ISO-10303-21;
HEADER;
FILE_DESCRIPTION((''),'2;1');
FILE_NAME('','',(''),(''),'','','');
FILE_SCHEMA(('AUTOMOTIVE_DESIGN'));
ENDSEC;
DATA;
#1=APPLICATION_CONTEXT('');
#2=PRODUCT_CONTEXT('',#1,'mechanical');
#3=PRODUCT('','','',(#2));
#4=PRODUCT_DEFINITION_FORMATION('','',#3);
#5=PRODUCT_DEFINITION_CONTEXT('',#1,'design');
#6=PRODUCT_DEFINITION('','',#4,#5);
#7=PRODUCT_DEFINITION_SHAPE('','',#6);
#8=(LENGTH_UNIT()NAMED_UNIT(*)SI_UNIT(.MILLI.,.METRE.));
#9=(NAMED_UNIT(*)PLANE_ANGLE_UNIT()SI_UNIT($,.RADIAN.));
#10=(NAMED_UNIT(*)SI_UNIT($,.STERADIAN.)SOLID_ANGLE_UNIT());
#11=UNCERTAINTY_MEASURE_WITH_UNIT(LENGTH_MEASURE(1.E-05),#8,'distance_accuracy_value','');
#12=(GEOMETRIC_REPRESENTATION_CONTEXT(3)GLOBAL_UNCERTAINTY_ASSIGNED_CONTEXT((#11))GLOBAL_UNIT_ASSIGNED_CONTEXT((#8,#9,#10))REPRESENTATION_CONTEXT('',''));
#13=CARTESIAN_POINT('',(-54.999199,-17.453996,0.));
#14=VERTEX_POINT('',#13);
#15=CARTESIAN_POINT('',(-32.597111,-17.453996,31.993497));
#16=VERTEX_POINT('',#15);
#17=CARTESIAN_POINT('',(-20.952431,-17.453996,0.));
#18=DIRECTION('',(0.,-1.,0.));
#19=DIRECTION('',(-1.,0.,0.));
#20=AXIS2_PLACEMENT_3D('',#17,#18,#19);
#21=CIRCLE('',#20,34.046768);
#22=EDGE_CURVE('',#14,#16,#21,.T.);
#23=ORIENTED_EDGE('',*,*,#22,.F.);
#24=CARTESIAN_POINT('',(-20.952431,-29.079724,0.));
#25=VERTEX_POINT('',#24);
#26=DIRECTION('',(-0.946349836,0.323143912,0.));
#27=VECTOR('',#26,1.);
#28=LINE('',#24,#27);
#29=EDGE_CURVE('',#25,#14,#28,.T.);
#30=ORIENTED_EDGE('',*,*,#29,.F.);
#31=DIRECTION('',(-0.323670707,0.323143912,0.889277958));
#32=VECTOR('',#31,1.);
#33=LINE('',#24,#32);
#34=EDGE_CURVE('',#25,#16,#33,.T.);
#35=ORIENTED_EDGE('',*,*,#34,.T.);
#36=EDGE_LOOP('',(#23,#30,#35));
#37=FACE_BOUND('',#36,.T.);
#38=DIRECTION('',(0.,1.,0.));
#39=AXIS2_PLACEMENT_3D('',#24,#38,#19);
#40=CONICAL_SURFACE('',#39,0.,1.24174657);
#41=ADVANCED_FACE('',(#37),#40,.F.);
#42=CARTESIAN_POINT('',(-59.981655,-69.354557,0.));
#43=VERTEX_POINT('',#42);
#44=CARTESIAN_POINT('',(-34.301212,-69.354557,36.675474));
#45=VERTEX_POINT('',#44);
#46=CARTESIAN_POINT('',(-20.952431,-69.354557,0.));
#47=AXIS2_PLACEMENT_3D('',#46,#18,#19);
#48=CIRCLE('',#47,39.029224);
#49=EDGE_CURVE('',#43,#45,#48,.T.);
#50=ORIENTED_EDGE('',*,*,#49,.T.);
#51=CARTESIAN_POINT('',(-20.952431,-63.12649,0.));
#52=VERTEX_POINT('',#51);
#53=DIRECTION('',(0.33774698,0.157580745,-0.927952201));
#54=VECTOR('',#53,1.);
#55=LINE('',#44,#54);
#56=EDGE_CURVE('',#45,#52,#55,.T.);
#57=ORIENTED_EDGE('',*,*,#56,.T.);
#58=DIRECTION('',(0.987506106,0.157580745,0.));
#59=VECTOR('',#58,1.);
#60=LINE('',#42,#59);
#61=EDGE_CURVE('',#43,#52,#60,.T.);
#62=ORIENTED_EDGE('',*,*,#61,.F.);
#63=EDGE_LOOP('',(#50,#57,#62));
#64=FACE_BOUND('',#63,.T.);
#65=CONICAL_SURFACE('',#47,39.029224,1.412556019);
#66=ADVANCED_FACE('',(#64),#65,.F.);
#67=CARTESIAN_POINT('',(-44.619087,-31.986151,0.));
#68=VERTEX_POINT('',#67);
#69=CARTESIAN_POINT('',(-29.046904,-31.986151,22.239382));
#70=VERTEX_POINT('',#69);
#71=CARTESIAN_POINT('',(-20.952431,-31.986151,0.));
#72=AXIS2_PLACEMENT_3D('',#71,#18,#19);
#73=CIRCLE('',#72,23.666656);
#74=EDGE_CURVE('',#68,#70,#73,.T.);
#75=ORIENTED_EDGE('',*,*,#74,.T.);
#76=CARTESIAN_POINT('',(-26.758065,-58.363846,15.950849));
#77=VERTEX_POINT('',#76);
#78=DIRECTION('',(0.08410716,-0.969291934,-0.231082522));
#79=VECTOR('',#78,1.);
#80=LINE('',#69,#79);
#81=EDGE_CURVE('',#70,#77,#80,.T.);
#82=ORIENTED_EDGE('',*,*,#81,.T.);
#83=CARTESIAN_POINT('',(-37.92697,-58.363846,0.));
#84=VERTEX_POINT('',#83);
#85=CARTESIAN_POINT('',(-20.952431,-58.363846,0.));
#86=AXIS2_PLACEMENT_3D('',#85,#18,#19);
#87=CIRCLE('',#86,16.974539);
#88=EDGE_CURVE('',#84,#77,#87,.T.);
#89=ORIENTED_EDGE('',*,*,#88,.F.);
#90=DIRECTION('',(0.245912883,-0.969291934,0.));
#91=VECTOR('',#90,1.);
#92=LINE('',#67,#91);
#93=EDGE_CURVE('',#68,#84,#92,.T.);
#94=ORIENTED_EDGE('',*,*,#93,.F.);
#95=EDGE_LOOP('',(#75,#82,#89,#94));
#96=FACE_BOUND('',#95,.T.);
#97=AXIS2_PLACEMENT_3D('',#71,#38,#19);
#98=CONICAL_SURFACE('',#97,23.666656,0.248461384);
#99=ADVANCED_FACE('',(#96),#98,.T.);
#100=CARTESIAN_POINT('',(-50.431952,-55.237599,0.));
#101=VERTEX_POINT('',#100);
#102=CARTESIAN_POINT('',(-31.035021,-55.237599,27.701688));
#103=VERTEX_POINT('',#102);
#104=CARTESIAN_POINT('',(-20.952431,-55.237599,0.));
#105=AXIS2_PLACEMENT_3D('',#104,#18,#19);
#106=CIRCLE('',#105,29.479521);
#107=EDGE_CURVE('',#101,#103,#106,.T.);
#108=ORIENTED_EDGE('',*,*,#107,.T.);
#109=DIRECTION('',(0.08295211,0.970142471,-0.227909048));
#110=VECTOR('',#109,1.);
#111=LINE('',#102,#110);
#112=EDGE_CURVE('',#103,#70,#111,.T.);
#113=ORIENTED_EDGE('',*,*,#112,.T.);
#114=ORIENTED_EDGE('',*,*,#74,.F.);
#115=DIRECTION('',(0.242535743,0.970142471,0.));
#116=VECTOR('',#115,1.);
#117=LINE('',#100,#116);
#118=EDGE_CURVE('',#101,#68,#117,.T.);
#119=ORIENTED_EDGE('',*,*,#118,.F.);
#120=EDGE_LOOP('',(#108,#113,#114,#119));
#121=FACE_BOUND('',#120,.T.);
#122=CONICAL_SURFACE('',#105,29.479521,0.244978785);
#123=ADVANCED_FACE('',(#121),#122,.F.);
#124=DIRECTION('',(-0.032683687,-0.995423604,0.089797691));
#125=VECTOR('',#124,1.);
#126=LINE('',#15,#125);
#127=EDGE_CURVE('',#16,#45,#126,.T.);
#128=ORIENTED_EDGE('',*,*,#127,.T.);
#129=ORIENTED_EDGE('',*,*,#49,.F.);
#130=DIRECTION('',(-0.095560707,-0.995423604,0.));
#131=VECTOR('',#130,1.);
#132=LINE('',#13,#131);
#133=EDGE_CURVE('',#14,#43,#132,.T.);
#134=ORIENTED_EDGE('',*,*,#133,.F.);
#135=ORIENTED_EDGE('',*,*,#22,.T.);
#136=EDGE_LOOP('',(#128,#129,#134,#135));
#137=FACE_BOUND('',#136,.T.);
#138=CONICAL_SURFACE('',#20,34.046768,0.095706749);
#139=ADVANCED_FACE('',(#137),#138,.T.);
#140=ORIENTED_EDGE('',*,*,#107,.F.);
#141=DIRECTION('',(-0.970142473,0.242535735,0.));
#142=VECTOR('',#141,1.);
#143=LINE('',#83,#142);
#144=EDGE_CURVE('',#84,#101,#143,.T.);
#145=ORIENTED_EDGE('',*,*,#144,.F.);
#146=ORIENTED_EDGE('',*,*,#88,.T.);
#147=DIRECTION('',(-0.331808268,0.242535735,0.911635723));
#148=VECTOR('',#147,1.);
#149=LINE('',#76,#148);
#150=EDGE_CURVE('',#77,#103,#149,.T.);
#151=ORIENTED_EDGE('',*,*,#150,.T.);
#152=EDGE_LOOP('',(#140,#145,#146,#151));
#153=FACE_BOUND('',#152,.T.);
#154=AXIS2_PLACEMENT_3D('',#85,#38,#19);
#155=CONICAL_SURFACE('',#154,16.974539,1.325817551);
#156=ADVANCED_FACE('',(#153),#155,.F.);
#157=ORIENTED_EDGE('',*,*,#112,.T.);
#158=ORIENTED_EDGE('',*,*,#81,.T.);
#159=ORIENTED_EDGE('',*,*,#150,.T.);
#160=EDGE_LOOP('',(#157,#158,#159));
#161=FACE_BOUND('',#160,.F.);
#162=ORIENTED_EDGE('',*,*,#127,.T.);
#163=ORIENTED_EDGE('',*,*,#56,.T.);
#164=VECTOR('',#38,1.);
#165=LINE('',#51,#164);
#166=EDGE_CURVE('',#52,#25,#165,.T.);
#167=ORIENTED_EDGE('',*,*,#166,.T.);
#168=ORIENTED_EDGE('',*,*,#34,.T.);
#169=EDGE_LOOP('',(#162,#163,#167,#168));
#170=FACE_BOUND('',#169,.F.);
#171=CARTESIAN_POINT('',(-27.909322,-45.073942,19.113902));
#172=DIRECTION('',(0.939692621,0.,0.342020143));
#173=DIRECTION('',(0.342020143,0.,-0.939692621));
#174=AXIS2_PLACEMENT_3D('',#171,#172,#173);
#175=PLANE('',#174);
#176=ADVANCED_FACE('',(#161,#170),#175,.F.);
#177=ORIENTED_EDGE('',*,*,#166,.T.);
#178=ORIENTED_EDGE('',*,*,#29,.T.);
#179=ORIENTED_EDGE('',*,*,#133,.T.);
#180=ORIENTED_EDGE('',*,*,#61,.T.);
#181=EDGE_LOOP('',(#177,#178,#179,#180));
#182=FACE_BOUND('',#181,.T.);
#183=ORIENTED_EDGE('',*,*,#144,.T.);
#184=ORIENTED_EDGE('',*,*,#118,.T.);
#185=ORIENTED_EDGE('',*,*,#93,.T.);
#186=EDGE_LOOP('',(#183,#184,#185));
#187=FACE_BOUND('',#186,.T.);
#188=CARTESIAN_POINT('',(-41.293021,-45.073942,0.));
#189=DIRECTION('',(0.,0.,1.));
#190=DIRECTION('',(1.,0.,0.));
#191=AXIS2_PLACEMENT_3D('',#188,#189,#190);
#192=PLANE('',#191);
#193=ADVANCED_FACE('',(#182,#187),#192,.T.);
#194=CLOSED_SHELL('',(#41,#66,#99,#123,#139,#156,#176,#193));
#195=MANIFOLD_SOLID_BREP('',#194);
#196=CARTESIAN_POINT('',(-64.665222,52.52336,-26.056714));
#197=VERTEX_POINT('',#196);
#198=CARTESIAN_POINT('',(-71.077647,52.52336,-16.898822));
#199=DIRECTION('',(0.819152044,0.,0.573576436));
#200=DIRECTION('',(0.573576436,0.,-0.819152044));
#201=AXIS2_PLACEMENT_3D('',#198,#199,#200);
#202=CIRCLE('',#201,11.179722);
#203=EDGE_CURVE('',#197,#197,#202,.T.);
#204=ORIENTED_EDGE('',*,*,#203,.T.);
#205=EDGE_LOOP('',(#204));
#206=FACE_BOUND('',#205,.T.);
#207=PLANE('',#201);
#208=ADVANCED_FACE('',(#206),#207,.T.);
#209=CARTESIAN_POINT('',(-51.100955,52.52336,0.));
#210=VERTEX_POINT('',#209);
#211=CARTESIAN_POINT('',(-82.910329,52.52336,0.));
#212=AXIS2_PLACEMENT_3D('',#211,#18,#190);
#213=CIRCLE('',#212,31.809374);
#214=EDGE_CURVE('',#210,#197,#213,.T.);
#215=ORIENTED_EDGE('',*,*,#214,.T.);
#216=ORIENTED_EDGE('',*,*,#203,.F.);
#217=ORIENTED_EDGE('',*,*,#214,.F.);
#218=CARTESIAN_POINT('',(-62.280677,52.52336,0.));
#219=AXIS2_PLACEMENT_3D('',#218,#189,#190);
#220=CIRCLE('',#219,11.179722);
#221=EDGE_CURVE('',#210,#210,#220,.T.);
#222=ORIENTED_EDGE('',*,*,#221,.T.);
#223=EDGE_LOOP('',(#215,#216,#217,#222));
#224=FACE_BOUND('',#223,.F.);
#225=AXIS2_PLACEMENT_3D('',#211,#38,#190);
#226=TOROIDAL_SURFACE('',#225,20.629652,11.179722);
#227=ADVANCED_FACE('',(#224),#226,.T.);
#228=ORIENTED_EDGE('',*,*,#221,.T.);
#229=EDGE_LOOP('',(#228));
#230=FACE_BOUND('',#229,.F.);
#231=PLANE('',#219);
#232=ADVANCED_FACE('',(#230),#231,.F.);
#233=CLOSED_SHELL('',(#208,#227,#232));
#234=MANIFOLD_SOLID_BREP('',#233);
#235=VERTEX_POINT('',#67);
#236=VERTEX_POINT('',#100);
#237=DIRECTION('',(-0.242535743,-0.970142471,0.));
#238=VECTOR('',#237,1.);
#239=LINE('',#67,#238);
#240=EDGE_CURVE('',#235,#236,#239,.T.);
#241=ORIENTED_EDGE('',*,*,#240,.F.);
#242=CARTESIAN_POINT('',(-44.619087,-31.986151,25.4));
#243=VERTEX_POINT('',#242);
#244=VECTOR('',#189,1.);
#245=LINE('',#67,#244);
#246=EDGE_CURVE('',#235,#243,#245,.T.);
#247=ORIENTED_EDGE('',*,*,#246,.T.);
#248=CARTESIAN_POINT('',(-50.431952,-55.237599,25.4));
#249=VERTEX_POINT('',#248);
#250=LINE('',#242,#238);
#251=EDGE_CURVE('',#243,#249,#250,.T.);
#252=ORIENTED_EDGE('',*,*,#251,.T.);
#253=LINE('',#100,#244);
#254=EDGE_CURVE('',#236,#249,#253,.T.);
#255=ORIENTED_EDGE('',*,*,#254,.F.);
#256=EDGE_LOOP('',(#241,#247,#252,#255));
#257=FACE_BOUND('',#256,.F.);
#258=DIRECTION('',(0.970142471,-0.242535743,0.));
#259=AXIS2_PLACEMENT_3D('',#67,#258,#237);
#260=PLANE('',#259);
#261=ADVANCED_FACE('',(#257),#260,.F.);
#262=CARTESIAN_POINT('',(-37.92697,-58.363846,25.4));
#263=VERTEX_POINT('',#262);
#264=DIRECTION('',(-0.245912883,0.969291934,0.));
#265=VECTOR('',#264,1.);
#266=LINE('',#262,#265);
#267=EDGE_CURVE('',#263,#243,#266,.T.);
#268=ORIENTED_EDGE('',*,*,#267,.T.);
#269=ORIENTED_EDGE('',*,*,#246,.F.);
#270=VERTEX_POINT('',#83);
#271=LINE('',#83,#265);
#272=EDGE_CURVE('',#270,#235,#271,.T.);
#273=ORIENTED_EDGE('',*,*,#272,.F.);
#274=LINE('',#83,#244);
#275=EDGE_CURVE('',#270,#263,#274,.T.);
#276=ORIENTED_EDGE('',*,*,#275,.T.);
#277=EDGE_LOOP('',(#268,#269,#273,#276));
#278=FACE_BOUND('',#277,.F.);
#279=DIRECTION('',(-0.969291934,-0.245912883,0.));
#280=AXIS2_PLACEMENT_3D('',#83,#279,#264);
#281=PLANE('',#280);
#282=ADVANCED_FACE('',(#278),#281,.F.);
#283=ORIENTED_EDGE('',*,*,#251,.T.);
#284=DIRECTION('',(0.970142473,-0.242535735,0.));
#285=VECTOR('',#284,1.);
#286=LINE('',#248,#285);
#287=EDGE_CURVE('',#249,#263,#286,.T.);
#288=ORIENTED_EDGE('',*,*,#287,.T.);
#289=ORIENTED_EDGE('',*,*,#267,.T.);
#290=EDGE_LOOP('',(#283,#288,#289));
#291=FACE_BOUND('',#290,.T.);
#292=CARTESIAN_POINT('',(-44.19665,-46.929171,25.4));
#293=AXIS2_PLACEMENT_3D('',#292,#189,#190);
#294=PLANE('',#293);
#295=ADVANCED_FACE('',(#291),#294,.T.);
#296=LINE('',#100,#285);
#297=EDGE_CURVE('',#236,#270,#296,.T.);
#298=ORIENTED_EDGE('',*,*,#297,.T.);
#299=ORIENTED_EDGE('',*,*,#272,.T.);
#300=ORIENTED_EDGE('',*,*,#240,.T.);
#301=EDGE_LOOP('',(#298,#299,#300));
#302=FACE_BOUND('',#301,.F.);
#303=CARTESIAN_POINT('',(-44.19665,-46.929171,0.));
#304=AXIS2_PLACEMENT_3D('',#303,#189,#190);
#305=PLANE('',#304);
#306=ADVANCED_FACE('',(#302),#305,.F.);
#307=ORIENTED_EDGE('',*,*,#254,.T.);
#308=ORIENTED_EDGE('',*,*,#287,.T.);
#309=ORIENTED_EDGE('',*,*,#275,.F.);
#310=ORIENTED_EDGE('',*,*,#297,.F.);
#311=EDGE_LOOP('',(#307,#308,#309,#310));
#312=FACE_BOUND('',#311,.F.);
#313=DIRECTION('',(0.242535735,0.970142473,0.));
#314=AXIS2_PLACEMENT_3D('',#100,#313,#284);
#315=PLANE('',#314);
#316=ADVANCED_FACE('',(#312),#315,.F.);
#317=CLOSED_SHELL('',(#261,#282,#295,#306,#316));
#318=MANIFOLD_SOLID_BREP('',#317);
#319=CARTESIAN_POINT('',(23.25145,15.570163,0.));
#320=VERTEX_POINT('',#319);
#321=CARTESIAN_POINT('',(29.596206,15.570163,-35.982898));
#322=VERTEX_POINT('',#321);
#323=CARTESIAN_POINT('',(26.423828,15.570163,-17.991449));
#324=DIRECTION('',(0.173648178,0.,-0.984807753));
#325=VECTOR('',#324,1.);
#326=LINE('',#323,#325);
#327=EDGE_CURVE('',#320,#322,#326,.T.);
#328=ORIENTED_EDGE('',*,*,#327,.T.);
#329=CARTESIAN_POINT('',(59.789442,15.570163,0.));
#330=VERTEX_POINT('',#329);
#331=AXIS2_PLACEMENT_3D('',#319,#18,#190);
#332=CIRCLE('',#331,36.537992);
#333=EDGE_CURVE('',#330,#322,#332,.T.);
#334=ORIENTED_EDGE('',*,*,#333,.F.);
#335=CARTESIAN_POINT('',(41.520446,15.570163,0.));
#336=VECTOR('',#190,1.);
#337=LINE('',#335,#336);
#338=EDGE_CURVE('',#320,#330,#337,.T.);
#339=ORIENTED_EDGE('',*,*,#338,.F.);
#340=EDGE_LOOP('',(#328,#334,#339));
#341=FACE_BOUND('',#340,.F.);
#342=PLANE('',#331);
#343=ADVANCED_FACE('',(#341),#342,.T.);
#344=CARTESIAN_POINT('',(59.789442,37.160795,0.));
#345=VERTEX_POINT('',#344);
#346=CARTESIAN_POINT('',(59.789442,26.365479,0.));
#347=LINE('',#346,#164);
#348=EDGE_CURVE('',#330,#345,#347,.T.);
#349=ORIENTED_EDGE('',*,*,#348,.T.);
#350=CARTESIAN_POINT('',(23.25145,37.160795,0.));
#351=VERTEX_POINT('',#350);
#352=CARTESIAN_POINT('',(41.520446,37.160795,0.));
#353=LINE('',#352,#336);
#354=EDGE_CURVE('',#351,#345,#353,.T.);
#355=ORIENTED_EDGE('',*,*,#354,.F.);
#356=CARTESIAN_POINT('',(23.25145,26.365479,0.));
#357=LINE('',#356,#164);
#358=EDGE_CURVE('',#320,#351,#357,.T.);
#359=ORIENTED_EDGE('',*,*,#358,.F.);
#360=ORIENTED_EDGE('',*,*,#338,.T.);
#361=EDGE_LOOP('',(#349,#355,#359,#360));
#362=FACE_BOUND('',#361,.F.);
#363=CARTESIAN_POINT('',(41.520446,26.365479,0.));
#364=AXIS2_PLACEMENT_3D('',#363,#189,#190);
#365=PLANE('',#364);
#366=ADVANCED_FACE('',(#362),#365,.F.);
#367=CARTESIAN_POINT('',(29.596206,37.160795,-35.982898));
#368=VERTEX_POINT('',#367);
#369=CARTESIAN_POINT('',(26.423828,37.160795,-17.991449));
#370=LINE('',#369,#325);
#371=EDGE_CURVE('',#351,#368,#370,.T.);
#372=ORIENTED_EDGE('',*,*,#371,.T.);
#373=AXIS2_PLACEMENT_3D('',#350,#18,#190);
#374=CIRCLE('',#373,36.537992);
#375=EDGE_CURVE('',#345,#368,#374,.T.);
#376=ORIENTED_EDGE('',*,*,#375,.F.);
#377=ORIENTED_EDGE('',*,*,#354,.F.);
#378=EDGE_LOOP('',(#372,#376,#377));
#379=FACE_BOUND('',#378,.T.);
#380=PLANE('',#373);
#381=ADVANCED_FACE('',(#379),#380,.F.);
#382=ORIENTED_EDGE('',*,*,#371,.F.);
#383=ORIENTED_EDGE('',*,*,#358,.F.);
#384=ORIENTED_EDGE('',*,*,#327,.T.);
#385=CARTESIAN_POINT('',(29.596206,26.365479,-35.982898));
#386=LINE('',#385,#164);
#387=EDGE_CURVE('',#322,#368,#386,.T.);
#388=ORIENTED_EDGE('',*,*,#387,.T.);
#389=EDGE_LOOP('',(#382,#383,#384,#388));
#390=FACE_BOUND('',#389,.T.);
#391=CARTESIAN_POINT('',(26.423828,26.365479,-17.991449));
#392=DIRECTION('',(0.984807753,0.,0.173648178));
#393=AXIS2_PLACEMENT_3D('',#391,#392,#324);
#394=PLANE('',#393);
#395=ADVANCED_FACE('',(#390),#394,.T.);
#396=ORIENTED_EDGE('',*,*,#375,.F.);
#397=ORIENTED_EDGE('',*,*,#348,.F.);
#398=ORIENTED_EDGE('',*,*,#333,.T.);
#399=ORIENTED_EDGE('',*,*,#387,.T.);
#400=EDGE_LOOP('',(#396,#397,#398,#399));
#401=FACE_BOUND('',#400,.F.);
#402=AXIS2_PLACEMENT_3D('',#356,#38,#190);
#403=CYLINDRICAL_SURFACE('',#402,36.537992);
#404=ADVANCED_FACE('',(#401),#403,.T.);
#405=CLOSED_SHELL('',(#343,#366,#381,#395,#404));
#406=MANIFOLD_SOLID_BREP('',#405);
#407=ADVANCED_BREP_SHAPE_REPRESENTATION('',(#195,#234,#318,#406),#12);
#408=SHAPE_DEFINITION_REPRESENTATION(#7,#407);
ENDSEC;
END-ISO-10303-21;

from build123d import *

# Parameters (mm, degrees)
F0_W     = 36.537992
F0_H     = 21.590633
F1_ANGLE = 280
F0_R     = 11.179722
F2_ANGLE = 305
F3_DEPTH = 25.4
F4_ANGLE = 290


with BuildPart() as f1:
    # F0 (on Top) → F1 (revolve)
    with BuildSketch(Plane.XY):
        with Locations((41.520446, 26.365479)):
            Rectangle(F0_W, F0_H)
    revolve(axis=Axis((23.25145, 26.365479, 0), (0, -1, 0)), revolution_arc=F1_ANGLE)


with BuildPart() as f2:
    # F0 (on Top) → F2 (revolve)
    with BuildSketch(Plane.XY):
        with Locations((-62.280677, 52.52336)):
            Circle(F0_R)
    revolve(axis=Axis((-82.910329, 50.982073, 0), (0, -1, 0)), revolution_arc=F2_ANGLE)


with BuildPart() as f3:
    # F0 (on Top) → F3 (new body)
    with BuildSketch(Plane.XY):
        Polygon((-37.92697, -58.363846), (-44.619087, -31.986151), (-50.431952, -55.237599), align=None)
    extrude(amount=F3_DEPTH)


with BuildPart() as f4:
    # F0 (on Top) → F4 (revolve)
    with BuildSketch(Plane.XY):
        Polygon((-20.952431, -29.079724), (-54.999199, -17.453996), (-59.981655, -69.354557), (-20.952431, -63.12649), align=None)
        Polygon((-50.431952, -55.237599), (-44.619087, -31.986151), (-37.92697, -58.363846), align=None, mode=Mode.SUBTRACT)
    revolve(axis=Axis((-20.952431, -46.103107, 0), (0, -1, 0)), revolution_arc=F4_ANGLE)


solid = Compound([f1.part, f2.part, f3.part, f4.part])
